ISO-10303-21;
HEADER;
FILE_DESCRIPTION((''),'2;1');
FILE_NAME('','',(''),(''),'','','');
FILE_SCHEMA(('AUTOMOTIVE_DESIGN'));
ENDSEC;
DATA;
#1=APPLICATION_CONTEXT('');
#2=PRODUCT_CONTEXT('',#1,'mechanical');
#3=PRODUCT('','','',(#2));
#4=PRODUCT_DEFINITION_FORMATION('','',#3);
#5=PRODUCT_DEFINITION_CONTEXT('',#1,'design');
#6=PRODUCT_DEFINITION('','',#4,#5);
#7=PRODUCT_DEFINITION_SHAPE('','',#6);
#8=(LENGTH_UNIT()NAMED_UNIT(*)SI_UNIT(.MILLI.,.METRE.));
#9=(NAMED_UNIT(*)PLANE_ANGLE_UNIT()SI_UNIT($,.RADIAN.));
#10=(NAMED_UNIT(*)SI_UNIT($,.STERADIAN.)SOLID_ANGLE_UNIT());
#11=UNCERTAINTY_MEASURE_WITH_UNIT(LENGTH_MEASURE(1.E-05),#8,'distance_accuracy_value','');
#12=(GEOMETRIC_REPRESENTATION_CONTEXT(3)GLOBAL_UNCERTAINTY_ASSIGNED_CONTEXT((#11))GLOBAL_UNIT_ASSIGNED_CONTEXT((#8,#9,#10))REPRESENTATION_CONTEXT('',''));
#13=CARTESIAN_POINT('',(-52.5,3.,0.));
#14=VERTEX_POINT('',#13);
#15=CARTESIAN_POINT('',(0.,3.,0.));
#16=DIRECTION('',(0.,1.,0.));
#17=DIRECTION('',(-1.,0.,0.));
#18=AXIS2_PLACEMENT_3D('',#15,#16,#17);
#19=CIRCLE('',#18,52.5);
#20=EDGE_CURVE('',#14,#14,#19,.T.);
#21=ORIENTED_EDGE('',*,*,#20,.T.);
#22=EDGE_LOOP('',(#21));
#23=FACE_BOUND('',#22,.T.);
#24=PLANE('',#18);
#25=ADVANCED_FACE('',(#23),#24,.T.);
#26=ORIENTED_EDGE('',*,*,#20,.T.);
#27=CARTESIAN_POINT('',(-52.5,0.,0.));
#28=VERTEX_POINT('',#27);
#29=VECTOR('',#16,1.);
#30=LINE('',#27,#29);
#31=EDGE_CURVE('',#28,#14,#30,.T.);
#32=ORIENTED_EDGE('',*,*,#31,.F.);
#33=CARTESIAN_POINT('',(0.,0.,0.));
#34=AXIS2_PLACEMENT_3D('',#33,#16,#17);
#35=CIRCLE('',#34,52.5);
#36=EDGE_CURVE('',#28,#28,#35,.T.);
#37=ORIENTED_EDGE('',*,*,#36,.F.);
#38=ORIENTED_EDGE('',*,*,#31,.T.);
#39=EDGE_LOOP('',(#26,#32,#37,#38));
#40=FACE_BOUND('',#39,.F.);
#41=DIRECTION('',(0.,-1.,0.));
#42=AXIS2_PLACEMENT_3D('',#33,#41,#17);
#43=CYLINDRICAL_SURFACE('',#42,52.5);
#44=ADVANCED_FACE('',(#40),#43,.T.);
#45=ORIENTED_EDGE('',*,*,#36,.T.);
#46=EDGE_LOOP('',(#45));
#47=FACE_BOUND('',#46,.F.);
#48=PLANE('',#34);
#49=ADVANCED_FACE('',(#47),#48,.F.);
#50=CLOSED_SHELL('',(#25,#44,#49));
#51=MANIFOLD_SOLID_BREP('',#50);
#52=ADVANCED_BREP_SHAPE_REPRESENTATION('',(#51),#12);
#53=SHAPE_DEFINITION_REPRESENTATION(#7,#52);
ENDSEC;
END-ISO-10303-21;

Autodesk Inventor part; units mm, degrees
ref_plane "YZ Plane" through (0, 0, 0) normal (1, 0, 0) x (0, 1, 0)
ref_plane "XZ Plane" through (0, 0, 0) normal (0, 1, 0) x (-1, 0, 0)
ref_plane "XY Plane" through (0, 0, 0) normal (0, 0, 1) x (1, 0, 0)
sketch "Эскиз1" plane through (0, 0, 0) normal (0, 1, 0) x (-1, 0, 0)
  circle A0 centre (0, 0) radius 52.5
  dimension "d0" = 105
extrude "Выдавливание1" add sketch "Эскиз1" along normal blind 3
properties part number "flange"
